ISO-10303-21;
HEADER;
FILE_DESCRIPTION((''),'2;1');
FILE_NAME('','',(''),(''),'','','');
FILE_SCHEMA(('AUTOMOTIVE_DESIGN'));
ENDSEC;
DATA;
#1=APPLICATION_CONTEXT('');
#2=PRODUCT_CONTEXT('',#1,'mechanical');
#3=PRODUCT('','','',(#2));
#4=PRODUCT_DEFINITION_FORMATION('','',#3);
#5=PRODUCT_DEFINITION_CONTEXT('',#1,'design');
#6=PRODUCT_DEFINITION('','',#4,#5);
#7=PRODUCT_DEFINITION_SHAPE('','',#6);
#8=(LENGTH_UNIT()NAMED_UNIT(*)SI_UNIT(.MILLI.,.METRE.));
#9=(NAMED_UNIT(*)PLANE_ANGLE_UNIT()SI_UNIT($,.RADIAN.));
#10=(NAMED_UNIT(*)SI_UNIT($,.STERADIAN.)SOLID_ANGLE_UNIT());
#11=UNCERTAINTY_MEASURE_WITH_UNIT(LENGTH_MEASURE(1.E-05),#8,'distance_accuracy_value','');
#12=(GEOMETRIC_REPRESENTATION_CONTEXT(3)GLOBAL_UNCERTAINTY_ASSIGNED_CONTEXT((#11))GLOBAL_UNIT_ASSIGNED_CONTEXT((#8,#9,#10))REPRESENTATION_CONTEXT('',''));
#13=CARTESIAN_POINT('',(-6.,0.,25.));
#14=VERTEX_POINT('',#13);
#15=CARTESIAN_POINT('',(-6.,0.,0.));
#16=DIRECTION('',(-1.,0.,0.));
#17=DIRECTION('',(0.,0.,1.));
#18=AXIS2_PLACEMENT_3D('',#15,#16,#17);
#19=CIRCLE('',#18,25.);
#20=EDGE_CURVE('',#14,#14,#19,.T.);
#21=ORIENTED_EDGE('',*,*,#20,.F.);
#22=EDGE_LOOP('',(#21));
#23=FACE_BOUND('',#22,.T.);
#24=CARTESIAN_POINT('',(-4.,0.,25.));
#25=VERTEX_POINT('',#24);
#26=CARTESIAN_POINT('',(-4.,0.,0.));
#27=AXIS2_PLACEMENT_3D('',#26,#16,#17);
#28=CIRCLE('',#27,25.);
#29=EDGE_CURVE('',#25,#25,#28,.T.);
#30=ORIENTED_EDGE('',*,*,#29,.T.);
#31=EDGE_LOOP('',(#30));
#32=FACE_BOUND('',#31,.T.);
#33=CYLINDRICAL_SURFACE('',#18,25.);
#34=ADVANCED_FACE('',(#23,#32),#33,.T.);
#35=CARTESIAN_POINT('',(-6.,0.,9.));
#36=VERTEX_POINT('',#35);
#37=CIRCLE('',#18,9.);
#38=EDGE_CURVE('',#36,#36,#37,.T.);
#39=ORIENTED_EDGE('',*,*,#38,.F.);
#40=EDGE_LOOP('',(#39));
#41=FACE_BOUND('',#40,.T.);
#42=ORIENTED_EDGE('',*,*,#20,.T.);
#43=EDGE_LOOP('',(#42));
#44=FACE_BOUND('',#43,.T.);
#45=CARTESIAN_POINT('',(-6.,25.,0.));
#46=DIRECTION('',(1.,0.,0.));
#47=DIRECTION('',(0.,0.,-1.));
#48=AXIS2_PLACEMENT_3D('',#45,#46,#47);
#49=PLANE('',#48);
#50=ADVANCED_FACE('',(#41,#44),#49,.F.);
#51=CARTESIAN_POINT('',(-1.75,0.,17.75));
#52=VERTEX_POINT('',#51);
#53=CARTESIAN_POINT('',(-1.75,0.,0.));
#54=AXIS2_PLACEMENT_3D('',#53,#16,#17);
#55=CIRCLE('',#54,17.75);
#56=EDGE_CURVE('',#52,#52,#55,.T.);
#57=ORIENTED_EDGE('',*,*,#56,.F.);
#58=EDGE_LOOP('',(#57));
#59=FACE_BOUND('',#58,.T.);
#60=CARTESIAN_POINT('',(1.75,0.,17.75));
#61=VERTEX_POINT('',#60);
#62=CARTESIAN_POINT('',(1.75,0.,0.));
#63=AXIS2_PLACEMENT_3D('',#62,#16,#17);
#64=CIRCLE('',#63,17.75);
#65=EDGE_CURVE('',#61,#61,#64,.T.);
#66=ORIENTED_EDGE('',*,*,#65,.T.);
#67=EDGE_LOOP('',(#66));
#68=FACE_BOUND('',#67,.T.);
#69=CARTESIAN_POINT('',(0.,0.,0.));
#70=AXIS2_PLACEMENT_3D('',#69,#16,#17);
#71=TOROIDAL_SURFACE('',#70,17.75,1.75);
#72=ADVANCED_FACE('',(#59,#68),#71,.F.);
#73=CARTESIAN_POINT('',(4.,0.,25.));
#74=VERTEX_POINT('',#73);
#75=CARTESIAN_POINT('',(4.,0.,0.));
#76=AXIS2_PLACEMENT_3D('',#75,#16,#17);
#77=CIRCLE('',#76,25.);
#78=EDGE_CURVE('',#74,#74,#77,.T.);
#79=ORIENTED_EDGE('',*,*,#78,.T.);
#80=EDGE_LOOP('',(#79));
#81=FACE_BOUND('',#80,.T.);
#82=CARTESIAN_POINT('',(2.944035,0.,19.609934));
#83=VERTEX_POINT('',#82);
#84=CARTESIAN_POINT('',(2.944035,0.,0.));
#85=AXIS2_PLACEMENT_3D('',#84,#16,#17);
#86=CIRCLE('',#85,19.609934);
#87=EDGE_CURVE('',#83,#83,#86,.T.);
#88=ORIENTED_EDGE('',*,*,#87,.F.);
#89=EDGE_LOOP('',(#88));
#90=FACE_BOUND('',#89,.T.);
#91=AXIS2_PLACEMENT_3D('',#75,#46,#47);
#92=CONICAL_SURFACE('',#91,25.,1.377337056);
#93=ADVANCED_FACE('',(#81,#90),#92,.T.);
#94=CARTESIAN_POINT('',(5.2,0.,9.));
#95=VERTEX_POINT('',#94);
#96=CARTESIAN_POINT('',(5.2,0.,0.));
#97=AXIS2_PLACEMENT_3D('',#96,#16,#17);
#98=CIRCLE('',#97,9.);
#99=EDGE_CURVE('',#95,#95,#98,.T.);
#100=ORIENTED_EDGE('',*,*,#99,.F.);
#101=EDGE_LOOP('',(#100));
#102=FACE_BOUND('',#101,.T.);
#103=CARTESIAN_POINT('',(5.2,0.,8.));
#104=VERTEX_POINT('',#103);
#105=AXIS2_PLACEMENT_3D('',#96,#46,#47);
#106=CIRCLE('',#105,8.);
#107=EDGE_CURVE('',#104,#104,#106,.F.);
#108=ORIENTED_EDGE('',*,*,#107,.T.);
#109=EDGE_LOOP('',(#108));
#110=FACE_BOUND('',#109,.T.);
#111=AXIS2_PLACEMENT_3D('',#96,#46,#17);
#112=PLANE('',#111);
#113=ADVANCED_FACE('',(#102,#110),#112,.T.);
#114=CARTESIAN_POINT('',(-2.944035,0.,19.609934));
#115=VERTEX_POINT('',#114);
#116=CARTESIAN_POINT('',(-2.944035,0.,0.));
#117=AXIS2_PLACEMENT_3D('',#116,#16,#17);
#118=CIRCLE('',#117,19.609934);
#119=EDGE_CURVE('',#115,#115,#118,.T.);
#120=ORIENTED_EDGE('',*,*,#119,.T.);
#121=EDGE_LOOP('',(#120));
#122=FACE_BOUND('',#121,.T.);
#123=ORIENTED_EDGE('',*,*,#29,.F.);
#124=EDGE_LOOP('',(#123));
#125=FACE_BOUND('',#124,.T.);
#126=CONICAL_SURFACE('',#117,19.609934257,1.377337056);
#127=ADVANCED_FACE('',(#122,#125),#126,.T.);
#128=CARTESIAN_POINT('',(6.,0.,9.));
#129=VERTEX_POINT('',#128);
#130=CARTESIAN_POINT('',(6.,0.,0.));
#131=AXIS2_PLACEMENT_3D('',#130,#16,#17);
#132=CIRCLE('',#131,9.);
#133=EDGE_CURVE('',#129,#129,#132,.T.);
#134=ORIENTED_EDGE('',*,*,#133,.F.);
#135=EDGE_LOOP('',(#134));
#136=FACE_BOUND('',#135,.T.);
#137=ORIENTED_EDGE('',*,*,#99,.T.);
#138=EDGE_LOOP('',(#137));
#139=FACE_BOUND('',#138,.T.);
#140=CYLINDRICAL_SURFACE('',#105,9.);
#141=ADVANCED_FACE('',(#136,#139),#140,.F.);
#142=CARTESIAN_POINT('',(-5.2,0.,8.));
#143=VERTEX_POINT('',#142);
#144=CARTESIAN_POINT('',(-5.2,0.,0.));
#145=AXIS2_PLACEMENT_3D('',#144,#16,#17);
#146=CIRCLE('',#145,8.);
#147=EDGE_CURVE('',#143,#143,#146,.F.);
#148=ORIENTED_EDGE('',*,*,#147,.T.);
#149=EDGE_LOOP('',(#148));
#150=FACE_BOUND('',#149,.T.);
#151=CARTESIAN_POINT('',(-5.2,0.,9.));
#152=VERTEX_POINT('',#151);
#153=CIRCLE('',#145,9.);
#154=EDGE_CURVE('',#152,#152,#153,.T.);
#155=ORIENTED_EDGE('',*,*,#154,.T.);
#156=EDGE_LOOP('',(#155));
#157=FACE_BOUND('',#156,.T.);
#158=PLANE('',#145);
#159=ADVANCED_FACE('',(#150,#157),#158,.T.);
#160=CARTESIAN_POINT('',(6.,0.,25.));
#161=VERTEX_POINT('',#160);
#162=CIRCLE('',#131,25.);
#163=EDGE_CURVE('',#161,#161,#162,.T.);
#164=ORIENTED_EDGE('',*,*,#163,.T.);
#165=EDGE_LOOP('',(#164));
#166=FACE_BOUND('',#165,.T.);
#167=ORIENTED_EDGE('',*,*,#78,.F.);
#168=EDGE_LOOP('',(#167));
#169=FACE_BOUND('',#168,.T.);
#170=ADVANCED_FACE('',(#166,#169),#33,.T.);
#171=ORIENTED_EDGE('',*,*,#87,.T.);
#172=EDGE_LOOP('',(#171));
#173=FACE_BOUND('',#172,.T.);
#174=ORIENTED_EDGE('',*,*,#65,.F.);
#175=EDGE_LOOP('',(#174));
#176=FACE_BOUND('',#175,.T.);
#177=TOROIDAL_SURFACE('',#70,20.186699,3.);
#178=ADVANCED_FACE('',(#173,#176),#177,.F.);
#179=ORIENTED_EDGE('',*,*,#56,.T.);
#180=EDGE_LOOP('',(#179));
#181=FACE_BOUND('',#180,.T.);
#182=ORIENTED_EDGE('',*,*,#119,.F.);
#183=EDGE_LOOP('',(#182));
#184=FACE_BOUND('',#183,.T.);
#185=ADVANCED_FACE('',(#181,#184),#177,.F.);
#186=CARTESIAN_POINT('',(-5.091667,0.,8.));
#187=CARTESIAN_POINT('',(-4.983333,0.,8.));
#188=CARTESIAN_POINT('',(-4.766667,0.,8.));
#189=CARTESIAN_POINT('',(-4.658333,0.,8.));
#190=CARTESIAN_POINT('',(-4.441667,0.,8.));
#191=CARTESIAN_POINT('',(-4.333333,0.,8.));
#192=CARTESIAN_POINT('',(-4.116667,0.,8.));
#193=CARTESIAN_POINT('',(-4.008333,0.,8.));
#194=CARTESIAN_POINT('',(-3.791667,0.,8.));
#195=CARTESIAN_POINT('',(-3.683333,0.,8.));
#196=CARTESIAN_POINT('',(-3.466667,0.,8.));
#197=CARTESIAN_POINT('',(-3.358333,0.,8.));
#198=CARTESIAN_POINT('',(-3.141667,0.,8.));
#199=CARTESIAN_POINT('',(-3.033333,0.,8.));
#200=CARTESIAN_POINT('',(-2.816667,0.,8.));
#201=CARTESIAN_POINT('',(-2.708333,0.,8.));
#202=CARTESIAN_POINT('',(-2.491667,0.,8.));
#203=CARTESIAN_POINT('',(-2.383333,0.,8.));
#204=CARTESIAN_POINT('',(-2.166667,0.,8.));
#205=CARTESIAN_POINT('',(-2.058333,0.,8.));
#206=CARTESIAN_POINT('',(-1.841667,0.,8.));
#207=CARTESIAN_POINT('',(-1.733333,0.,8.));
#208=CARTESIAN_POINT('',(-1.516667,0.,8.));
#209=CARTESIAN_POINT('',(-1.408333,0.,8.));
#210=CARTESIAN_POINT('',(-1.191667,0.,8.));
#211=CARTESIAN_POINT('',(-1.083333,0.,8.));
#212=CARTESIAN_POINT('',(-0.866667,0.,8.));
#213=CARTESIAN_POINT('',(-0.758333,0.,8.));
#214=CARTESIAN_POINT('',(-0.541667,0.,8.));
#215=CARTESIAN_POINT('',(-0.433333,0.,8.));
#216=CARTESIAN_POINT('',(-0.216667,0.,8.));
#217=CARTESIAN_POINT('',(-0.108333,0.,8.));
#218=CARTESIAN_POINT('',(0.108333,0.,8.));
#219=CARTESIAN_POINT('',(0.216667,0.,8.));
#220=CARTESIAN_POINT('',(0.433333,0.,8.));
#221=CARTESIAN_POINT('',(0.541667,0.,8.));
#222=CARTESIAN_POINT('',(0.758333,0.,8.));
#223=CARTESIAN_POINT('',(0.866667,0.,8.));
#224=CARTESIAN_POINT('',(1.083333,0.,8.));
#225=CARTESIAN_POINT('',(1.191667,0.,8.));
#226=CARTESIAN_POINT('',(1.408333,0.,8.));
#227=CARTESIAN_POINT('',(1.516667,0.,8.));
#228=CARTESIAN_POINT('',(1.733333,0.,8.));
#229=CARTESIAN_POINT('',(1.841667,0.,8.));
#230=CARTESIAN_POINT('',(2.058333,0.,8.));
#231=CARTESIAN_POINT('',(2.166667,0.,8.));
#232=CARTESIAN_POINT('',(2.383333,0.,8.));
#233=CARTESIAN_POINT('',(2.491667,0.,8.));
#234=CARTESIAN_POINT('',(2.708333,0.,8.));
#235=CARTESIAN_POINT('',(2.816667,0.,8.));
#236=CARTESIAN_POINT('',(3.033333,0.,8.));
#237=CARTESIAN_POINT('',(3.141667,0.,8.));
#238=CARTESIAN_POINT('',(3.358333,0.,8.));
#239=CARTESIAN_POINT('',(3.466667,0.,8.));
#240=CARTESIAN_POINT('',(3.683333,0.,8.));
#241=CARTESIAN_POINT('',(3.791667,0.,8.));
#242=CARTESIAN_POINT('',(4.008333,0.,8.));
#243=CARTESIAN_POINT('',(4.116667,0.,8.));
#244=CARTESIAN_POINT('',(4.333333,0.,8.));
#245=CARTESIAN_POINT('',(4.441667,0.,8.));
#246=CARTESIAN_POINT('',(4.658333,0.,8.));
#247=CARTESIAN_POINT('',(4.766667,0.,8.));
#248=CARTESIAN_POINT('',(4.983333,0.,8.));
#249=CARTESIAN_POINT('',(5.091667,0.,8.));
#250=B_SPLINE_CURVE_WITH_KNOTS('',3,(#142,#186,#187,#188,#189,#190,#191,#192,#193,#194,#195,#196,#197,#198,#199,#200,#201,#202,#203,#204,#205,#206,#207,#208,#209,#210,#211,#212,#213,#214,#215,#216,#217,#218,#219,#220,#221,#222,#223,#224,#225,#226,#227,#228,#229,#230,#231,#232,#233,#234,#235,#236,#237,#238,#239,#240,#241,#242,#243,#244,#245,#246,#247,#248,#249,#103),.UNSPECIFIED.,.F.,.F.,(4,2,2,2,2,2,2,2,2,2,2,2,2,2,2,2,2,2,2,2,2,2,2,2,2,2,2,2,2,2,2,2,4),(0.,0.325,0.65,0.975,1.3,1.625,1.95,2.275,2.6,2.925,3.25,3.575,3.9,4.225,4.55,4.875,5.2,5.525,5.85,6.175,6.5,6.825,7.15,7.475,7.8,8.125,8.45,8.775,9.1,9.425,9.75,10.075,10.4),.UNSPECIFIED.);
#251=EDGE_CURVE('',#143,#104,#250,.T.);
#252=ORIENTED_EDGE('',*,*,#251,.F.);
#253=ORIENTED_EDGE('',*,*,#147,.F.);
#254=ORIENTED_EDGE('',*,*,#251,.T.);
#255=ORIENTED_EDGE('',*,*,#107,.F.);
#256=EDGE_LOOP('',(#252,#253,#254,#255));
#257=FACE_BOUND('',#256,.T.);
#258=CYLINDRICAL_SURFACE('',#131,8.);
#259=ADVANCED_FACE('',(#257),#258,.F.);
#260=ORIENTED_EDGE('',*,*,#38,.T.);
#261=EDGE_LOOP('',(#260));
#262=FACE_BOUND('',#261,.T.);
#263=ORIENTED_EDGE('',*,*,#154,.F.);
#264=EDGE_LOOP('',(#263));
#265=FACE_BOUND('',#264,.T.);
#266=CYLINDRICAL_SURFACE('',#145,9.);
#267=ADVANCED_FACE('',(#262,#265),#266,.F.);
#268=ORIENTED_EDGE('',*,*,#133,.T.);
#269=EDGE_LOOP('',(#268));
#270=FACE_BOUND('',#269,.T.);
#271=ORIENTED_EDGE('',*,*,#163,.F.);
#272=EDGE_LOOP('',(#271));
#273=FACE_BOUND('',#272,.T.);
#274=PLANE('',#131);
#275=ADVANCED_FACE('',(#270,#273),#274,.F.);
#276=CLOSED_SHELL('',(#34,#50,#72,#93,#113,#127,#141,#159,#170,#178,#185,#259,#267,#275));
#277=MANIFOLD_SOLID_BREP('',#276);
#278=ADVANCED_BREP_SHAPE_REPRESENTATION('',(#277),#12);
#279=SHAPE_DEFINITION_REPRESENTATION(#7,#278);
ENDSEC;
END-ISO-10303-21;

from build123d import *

# Parameters (mm, degrees)
SKETCH_4_R          = 8
CUT_EXTRUDE_1_DEPTH = 38.336309405
SKETCH_5_R          = 9
CUT_EXTRUDE_2_DEPTH = 0.8


with BuildPart() as part:
    # Эскиз1 → Повернуть1 (revolve)
    with BuildSketch(Plane.XY, mode=Mode.PRIVATE) as revolve_1_sk:
        with BuildLine():
            Line((-4, 25), (-2.94403514, 19.609934257))
            ThreePointArc((-2.94403514, 19.609934257), (-2.52454557, 18.565998224), (-1.75, 17.75))
            ThreePointArc((-1.75, 17.75), (0, 16), (1.75, 17.75))
            ThreePointArc((1.75, 17.75), (2.52454557, 18.565998224), (2.94403514, 19.609934257))
            Line((2.94403514, 19.609934257), (4, 25))
            Line((4, 25), (6, 25))
            Line((6, 25), (6, 0))
            Line((6, 0), (-6, 0))
            Line((-6, 0), (-6, 25))
            Line((-6, 25), (-4, 25))
        make_face()
    revolve(revolve_1_sk.sketch.rotate(Axis((-6, 0, 0), (1, 0, 0)), 90), axis=Axis((-6, 0, 0), (1, 0, 0)))

    # Эскиз4 → Вырез-Вытянуть1 (cut, through all)
    with BuildSketch(Plane.ZY.offset(6)):
        Circle(SKETCH_4_R)
    extrude(amount=-CUT_EXTRUDE_1_DEPTH, mode=Mode.SUBTRACT)

    # Эскиз5 → Вырез-Вытянуть2 (cut)
    with BuildSketch(Plane.ZY.offset(6)):
        Circle(SKETCH_5_R)
    cut_extrude_2 = extrude(amount=-CUT_EXTRUDE_2_DEPTH, mode=Mode.SUBTRACT)

    # Зеркальное отражение1: Вырез-Вытянуть2 across plane
    add(cut_extrude_2.mirror(Plane(origin=(0, 0, 0), x_dir=(0, 0, 1), z_dir=(1, 0, 0))), mode=Mode.SUBTRACT)


solid = part.part
